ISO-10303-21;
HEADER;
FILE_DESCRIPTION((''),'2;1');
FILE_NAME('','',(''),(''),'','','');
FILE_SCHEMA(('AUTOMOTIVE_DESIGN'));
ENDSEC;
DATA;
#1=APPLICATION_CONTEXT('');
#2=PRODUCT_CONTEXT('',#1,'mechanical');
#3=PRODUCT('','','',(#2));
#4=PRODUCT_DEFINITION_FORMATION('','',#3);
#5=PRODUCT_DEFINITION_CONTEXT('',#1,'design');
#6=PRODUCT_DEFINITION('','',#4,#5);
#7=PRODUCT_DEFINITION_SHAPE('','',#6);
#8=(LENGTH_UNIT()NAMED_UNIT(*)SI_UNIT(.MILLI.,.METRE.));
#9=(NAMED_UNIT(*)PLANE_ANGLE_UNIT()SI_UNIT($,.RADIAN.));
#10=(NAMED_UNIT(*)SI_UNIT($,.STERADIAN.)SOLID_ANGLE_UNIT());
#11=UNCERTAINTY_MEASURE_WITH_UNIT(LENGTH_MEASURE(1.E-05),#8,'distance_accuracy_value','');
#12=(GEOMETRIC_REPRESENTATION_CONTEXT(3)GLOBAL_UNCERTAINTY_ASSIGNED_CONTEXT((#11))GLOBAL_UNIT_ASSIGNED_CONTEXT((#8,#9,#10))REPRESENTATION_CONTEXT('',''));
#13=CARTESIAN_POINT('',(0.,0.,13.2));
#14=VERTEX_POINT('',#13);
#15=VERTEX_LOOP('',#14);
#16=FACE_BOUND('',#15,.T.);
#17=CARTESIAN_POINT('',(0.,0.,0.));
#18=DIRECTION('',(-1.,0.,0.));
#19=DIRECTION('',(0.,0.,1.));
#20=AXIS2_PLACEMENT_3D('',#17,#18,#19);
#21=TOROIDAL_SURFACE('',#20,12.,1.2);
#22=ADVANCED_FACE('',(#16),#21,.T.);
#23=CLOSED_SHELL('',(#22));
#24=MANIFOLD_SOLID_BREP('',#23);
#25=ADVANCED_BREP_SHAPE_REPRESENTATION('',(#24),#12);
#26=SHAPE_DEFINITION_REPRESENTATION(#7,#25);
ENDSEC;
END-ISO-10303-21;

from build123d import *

# Parameters (mm, degrees)
ESBO_O1_R = 1.2


with BuildPart() as part:
    # Esboço1 → Revolução1 (revolve)
    with BuildSketch(Plane.XY):
        with Locations((0, 12)):
            Circle(ESBO_O1_R)
    revolve(axis=Axis((0, 0, 0), (1, 0, 0)))


solid = part.part
